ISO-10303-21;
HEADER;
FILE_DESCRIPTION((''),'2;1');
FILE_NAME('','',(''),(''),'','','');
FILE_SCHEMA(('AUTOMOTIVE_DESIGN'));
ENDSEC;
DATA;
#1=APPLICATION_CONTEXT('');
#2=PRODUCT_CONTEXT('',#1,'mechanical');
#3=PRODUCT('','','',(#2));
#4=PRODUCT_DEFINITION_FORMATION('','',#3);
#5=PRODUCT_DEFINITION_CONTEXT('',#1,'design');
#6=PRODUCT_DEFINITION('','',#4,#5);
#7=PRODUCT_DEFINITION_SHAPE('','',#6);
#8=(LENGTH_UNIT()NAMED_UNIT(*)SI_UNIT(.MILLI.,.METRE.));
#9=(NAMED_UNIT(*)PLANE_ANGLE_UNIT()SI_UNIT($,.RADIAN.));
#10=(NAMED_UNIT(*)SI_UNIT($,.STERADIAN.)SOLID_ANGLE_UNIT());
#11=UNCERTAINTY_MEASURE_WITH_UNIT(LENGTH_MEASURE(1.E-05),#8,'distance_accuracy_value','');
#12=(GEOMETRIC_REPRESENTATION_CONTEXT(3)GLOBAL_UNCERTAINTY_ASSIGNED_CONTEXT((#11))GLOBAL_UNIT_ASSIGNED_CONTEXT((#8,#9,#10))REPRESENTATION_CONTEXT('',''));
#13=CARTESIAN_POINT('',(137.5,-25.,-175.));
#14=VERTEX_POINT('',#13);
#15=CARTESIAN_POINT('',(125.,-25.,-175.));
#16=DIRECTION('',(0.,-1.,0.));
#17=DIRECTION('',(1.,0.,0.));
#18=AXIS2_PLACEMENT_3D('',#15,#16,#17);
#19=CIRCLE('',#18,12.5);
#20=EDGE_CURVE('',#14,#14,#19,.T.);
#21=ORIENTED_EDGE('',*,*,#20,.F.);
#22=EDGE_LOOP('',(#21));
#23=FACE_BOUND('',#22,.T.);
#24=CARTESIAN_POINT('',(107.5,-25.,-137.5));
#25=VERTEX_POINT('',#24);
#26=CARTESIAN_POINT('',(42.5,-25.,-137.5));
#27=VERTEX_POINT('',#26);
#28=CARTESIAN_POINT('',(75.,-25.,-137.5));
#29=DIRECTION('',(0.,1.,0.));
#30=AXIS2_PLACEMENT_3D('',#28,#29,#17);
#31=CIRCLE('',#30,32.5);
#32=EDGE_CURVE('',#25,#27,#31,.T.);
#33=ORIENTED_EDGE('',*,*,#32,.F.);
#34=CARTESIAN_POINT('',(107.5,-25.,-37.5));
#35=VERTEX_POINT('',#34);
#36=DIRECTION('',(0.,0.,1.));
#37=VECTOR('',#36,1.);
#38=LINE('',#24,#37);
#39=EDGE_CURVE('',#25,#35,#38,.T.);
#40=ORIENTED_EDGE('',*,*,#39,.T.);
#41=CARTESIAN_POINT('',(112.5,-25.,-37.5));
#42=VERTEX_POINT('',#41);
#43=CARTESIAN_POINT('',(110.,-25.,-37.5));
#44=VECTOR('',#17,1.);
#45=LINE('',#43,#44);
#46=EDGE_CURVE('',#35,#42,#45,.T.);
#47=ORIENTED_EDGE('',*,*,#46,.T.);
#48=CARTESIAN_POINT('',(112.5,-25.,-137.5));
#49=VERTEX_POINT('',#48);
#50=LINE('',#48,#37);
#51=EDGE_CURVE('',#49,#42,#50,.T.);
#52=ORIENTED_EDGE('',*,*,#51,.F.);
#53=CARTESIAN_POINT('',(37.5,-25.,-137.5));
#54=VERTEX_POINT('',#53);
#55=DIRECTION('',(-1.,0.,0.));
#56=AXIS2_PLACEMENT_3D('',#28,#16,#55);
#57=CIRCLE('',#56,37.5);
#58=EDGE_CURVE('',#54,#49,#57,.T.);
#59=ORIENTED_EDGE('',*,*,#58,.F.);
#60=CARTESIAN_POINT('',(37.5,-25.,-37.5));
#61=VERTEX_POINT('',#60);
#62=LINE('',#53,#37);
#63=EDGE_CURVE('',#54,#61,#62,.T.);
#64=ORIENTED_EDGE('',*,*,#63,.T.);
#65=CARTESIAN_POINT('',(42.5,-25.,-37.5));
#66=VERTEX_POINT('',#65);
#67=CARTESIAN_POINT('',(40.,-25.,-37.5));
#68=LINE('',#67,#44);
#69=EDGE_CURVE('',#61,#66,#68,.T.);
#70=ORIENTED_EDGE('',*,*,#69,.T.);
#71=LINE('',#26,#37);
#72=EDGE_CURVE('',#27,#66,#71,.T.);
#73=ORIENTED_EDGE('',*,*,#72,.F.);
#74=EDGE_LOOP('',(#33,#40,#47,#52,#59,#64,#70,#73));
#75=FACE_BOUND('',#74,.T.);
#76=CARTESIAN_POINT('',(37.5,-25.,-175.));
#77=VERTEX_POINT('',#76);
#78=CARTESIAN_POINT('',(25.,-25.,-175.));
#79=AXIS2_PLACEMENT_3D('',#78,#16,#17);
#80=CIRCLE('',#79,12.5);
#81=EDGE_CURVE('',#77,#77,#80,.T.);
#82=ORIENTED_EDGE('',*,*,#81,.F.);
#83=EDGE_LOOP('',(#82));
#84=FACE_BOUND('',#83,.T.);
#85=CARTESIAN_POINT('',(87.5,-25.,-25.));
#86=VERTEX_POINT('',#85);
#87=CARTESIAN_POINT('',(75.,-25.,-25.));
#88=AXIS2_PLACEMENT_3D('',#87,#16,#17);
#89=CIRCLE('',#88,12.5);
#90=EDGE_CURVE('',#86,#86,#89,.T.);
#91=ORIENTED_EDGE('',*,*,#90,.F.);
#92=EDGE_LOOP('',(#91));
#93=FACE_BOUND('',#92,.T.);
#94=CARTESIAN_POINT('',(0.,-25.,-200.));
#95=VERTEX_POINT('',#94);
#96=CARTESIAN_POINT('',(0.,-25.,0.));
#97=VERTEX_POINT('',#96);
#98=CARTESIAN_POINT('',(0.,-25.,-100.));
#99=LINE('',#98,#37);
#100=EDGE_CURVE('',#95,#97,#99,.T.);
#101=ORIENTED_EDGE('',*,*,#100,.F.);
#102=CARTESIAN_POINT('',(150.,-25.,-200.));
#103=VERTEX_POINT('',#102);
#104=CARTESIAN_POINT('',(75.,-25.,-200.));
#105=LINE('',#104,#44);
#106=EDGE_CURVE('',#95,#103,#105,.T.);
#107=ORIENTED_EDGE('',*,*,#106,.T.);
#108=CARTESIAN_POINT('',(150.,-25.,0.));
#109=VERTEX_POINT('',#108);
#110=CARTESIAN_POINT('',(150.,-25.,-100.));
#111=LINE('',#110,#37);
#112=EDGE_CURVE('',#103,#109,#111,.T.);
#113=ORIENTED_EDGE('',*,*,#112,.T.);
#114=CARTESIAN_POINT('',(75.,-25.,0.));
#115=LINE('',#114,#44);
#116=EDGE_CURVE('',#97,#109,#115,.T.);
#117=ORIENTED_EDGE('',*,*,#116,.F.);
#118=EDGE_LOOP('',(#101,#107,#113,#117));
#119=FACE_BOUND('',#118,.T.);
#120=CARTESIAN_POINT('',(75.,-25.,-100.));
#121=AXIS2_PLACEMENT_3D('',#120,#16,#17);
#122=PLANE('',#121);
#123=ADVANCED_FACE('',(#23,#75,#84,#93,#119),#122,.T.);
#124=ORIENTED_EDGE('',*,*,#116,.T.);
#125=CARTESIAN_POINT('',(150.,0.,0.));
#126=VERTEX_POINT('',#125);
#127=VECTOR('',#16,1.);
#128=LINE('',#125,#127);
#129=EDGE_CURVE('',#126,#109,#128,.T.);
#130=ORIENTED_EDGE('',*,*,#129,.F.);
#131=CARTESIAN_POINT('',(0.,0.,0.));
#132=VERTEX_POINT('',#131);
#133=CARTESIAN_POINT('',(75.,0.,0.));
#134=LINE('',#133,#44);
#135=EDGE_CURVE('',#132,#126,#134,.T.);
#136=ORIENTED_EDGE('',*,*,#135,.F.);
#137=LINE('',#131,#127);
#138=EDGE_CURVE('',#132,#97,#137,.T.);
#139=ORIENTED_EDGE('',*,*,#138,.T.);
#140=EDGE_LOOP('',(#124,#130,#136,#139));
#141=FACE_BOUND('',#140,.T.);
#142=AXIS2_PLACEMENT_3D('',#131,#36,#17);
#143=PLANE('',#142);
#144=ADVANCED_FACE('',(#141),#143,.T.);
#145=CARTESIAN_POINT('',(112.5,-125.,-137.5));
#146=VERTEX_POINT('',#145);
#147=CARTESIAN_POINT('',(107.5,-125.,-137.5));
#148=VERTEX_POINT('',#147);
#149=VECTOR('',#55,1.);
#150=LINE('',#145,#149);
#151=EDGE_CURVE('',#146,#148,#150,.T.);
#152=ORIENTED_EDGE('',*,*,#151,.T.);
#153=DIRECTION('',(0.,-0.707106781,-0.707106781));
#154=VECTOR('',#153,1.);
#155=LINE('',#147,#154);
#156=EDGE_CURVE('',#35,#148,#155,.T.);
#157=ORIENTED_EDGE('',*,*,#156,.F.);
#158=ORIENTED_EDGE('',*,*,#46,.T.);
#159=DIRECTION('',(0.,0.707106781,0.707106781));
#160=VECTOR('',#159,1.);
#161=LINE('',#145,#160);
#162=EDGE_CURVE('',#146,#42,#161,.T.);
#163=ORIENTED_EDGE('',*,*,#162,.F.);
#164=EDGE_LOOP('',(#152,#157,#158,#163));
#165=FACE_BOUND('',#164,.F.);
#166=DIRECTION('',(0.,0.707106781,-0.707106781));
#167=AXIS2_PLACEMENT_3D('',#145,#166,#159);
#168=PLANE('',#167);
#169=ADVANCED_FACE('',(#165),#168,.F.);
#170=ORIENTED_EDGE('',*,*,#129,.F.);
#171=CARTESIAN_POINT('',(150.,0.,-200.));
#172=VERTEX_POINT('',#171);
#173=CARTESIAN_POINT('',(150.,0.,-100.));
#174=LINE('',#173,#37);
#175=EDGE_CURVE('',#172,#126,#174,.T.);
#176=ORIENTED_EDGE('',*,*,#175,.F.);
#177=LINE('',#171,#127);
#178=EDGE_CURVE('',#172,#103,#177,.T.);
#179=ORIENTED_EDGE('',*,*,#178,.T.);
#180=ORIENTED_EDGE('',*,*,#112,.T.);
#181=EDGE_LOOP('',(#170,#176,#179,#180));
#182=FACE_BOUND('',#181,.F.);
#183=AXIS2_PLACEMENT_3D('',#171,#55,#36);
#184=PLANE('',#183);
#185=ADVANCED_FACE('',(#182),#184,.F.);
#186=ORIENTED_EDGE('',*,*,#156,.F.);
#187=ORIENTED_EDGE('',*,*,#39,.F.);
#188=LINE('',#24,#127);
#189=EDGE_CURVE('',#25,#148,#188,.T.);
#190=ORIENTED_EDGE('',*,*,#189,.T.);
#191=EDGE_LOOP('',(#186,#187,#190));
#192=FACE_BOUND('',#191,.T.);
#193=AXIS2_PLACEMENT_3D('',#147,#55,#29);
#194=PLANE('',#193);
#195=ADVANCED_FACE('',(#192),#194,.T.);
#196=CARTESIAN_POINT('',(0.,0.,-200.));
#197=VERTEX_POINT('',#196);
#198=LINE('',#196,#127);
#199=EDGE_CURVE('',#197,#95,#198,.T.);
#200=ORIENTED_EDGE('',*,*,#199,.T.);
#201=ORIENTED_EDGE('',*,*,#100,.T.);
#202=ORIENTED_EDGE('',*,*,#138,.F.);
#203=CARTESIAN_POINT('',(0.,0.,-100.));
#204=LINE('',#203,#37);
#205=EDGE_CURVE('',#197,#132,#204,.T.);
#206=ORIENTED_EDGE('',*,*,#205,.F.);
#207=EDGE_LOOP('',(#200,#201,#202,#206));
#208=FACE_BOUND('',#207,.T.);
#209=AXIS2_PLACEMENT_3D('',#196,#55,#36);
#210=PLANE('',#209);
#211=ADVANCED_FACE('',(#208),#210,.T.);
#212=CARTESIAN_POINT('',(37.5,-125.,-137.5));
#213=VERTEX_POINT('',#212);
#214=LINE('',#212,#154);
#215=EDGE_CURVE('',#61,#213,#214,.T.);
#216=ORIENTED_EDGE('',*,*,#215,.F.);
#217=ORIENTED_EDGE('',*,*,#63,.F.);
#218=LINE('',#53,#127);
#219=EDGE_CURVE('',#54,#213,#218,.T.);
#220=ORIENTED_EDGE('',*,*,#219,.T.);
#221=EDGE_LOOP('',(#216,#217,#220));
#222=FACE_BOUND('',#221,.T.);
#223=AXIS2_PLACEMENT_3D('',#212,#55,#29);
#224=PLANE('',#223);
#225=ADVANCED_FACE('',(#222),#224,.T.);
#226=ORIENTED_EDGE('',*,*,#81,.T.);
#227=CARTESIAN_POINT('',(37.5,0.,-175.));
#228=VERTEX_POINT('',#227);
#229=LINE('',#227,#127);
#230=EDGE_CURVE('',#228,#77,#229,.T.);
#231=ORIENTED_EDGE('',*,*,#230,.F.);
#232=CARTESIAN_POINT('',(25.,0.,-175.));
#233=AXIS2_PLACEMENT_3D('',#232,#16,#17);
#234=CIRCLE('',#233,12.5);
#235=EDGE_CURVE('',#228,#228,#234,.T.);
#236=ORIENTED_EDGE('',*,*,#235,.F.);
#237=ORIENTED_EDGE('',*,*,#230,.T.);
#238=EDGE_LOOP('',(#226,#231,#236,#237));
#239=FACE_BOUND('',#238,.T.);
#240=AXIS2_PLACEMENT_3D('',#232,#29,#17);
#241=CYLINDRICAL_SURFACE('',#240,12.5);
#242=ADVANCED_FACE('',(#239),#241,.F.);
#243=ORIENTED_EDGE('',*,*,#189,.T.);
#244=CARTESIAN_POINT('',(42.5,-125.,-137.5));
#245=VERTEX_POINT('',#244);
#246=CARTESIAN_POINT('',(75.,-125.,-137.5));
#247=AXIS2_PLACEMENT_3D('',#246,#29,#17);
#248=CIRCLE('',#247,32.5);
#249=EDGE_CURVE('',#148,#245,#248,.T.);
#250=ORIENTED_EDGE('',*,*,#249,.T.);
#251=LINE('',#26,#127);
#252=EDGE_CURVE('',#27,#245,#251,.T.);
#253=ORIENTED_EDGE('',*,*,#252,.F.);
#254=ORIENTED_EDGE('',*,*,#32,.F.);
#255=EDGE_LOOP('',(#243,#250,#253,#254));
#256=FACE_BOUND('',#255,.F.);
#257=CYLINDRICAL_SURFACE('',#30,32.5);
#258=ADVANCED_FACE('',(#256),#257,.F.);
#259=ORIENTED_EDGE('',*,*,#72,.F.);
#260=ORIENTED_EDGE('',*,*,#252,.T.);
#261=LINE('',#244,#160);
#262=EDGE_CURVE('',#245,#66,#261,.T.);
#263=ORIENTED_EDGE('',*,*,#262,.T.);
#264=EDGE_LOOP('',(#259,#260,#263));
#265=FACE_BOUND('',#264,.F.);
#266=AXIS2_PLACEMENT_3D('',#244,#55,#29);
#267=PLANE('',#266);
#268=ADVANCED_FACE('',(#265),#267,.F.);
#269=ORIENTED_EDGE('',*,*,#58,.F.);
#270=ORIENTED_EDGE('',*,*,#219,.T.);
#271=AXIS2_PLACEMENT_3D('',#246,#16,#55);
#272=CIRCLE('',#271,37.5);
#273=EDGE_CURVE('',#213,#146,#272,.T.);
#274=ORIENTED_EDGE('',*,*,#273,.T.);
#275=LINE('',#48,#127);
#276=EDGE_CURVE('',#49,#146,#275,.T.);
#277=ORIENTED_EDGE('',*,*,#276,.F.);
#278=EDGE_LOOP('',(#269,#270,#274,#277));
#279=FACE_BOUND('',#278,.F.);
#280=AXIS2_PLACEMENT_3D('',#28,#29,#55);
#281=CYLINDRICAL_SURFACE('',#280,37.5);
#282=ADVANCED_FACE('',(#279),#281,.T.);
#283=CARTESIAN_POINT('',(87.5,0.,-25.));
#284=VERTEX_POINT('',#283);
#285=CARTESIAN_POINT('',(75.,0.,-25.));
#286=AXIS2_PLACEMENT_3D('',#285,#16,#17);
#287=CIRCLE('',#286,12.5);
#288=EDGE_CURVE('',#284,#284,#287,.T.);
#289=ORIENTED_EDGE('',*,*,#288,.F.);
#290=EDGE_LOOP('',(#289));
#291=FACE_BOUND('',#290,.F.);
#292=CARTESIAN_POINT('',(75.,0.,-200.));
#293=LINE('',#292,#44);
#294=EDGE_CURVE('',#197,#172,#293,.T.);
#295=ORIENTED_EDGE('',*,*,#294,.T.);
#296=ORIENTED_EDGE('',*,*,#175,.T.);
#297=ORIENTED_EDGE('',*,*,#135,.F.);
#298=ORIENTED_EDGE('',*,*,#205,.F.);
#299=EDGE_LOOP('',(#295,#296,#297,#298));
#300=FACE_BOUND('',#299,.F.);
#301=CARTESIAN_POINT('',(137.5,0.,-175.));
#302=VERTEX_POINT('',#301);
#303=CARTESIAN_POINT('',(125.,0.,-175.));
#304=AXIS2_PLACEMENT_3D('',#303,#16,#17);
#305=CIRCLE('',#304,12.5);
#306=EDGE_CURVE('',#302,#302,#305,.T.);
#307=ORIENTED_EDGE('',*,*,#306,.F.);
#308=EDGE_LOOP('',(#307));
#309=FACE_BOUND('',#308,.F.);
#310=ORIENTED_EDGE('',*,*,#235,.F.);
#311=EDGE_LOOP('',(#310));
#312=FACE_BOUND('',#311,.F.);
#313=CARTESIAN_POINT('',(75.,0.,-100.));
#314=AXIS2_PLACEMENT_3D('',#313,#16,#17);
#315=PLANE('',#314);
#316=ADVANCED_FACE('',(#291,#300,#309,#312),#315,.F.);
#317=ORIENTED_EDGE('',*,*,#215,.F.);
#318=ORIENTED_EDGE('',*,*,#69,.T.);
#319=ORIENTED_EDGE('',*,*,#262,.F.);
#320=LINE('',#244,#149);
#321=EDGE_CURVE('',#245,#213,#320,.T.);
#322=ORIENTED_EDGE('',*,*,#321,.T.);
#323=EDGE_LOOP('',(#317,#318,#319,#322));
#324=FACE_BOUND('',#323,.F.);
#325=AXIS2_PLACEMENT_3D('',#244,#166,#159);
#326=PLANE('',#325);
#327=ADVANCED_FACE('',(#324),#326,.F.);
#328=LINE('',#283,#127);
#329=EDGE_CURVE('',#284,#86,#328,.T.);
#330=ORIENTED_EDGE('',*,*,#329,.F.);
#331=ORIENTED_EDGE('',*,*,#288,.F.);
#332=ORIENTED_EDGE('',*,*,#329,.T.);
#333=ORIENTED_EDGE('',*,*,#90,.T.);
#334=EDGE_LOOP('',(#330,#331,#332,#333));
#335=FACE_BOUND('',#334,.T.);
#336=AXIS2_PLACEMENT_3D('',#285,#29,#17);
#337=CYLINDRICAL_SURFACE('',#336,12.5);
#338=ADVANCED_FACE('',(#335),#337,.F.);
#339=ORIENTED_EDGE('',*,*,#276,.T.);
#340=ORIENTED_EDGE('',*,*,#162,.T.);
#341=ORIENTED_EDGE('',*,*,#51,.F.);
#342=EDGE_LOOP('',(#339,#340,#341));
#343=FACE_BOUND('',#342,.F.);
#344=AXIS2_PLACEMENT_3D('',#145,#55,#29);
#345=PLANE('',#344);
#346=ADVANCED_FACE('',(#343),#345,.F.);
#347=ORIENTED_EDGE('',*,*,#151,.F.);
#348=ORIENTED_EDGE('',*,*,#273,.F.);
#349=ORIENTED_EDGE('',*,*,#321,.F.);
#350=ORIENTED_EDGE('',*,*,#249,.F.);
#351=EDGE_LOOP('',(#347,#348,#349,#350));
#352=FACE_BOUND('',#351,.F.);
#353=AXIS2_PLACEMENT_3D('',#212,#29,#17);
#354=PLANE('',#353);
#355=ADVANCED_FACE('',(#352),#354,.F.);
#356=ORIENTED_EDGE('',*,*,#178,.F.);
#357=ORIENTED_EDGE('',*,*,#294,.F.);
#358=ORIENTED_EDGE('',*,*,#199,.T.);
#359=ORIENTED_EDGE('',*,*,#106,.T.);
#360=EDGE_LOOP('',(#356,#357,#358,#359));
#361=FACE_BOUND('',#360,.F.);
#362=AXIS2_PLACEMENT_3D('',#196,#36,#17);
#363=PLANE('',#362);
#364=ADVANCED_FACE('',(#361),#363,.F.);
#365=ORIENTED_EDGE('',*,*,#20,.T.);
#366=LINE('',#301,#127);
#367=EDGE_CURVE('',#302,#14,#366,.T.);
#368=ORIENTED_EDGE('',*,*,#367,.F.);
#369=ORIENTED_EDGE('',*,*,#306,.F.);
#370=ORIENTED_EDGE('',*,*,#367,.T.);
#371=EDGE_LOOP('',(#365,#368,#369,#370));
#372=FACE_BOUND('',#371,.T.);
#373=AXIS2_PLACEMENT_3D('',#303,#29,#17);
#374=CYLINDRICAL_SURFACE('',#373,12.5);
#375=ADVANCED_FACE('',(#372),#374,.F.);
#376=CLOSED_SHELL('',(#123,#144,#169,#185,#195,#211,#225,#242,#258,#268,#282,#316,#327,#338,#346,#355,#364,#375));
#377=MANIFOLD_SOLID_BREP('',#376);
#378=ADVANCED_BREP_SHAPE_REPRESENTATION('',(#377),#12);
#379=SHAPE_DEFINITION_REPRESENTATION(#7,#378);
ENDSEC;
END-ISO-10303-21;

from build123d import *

# Parameters (mm, degrees)
F0_W      = 150
F0_H      = 200
F0_R      = 12.5
F1_DEPTH  = 25
F3_DEPTH  = 100
F4_W      = 5
F4_H      = 100
F5_DEPTH  = 100
F7_DEPTH  = 25
F8_W      = 5
F8_H      = 100
F9_DEPTH  = 100
F11_DEPTH = 25


with BuildPart() as f1:
    # F0 (on Front) → F1 (new body)
    with BuildSketch(Plane.XZ):
        with Locations((75, -100)):
            Rectangle(F0_W, F0_H)
        with Locations((25, -175)):
            Circle(F0_R, mode=Mode.SUBTRACT)
        with Locations((125, -175)):
            Circle(F0_R, mode=Mode.SUBTRACT)
        with Locations((75, -25)):
            Circle(F0_R, mode=Mode.SUBTRACT)
    extrude(amount=F1_DEPTH)

    # F2 (on face) → F3 (join)
    with BuildSketch(Plane.XZ.offset(25)):
        with BuildLine():
            Line((42.5, -137.5), (37.5, -137.5))
            ThreePointArc((37.5, -137.5), (75, -175), (112.5, -137.5))
            Line((112.5, -137.5), (107.5, -137.5))
            ThreePointArc((107.5, -137.5), (75, -170), (42.5, -137.5))
        make_face()
    extrude(amount=F3_DEPTH)

    # F4 (on face) → F5 (join)
    with BuildSketch(Plane.XY.offset(-137.5)):
        with Locations((110, -75)):
            Rectangle(F4_W, F4_H)
    extrude(amount=F5_DEPTH)

    # F6 (on face) → F7 (cut)
    with BuildSketch(Plane.YZ.offset(112.5)):
        Polygon((-125, -37.5), (-125, -137.5), (-25, -37.5), align=None)
    extrude(amount=-F7_DEPTH, mode=Mode.SUBTRACT)

    # F8 (on face) → F9 (join)
    with BuildSketch(Plane.XY.offset(-137.5)):
        with Locations((40, -75)):
            Rectangle(F8_W, F8_H)
    extrude(amount=F9_DEPTH)

    # F10 (on face) → F11 (cut)
    with BuildSketch(Plane.YZ.offset(42.5)):
        Polygon((-125, -37.5), (-125, -137.5), (-25, -37.5), align=None)
    extrude(amount=-F11_DEPTH, mode=Mode.SUBTRACT)


solid = f1.part
